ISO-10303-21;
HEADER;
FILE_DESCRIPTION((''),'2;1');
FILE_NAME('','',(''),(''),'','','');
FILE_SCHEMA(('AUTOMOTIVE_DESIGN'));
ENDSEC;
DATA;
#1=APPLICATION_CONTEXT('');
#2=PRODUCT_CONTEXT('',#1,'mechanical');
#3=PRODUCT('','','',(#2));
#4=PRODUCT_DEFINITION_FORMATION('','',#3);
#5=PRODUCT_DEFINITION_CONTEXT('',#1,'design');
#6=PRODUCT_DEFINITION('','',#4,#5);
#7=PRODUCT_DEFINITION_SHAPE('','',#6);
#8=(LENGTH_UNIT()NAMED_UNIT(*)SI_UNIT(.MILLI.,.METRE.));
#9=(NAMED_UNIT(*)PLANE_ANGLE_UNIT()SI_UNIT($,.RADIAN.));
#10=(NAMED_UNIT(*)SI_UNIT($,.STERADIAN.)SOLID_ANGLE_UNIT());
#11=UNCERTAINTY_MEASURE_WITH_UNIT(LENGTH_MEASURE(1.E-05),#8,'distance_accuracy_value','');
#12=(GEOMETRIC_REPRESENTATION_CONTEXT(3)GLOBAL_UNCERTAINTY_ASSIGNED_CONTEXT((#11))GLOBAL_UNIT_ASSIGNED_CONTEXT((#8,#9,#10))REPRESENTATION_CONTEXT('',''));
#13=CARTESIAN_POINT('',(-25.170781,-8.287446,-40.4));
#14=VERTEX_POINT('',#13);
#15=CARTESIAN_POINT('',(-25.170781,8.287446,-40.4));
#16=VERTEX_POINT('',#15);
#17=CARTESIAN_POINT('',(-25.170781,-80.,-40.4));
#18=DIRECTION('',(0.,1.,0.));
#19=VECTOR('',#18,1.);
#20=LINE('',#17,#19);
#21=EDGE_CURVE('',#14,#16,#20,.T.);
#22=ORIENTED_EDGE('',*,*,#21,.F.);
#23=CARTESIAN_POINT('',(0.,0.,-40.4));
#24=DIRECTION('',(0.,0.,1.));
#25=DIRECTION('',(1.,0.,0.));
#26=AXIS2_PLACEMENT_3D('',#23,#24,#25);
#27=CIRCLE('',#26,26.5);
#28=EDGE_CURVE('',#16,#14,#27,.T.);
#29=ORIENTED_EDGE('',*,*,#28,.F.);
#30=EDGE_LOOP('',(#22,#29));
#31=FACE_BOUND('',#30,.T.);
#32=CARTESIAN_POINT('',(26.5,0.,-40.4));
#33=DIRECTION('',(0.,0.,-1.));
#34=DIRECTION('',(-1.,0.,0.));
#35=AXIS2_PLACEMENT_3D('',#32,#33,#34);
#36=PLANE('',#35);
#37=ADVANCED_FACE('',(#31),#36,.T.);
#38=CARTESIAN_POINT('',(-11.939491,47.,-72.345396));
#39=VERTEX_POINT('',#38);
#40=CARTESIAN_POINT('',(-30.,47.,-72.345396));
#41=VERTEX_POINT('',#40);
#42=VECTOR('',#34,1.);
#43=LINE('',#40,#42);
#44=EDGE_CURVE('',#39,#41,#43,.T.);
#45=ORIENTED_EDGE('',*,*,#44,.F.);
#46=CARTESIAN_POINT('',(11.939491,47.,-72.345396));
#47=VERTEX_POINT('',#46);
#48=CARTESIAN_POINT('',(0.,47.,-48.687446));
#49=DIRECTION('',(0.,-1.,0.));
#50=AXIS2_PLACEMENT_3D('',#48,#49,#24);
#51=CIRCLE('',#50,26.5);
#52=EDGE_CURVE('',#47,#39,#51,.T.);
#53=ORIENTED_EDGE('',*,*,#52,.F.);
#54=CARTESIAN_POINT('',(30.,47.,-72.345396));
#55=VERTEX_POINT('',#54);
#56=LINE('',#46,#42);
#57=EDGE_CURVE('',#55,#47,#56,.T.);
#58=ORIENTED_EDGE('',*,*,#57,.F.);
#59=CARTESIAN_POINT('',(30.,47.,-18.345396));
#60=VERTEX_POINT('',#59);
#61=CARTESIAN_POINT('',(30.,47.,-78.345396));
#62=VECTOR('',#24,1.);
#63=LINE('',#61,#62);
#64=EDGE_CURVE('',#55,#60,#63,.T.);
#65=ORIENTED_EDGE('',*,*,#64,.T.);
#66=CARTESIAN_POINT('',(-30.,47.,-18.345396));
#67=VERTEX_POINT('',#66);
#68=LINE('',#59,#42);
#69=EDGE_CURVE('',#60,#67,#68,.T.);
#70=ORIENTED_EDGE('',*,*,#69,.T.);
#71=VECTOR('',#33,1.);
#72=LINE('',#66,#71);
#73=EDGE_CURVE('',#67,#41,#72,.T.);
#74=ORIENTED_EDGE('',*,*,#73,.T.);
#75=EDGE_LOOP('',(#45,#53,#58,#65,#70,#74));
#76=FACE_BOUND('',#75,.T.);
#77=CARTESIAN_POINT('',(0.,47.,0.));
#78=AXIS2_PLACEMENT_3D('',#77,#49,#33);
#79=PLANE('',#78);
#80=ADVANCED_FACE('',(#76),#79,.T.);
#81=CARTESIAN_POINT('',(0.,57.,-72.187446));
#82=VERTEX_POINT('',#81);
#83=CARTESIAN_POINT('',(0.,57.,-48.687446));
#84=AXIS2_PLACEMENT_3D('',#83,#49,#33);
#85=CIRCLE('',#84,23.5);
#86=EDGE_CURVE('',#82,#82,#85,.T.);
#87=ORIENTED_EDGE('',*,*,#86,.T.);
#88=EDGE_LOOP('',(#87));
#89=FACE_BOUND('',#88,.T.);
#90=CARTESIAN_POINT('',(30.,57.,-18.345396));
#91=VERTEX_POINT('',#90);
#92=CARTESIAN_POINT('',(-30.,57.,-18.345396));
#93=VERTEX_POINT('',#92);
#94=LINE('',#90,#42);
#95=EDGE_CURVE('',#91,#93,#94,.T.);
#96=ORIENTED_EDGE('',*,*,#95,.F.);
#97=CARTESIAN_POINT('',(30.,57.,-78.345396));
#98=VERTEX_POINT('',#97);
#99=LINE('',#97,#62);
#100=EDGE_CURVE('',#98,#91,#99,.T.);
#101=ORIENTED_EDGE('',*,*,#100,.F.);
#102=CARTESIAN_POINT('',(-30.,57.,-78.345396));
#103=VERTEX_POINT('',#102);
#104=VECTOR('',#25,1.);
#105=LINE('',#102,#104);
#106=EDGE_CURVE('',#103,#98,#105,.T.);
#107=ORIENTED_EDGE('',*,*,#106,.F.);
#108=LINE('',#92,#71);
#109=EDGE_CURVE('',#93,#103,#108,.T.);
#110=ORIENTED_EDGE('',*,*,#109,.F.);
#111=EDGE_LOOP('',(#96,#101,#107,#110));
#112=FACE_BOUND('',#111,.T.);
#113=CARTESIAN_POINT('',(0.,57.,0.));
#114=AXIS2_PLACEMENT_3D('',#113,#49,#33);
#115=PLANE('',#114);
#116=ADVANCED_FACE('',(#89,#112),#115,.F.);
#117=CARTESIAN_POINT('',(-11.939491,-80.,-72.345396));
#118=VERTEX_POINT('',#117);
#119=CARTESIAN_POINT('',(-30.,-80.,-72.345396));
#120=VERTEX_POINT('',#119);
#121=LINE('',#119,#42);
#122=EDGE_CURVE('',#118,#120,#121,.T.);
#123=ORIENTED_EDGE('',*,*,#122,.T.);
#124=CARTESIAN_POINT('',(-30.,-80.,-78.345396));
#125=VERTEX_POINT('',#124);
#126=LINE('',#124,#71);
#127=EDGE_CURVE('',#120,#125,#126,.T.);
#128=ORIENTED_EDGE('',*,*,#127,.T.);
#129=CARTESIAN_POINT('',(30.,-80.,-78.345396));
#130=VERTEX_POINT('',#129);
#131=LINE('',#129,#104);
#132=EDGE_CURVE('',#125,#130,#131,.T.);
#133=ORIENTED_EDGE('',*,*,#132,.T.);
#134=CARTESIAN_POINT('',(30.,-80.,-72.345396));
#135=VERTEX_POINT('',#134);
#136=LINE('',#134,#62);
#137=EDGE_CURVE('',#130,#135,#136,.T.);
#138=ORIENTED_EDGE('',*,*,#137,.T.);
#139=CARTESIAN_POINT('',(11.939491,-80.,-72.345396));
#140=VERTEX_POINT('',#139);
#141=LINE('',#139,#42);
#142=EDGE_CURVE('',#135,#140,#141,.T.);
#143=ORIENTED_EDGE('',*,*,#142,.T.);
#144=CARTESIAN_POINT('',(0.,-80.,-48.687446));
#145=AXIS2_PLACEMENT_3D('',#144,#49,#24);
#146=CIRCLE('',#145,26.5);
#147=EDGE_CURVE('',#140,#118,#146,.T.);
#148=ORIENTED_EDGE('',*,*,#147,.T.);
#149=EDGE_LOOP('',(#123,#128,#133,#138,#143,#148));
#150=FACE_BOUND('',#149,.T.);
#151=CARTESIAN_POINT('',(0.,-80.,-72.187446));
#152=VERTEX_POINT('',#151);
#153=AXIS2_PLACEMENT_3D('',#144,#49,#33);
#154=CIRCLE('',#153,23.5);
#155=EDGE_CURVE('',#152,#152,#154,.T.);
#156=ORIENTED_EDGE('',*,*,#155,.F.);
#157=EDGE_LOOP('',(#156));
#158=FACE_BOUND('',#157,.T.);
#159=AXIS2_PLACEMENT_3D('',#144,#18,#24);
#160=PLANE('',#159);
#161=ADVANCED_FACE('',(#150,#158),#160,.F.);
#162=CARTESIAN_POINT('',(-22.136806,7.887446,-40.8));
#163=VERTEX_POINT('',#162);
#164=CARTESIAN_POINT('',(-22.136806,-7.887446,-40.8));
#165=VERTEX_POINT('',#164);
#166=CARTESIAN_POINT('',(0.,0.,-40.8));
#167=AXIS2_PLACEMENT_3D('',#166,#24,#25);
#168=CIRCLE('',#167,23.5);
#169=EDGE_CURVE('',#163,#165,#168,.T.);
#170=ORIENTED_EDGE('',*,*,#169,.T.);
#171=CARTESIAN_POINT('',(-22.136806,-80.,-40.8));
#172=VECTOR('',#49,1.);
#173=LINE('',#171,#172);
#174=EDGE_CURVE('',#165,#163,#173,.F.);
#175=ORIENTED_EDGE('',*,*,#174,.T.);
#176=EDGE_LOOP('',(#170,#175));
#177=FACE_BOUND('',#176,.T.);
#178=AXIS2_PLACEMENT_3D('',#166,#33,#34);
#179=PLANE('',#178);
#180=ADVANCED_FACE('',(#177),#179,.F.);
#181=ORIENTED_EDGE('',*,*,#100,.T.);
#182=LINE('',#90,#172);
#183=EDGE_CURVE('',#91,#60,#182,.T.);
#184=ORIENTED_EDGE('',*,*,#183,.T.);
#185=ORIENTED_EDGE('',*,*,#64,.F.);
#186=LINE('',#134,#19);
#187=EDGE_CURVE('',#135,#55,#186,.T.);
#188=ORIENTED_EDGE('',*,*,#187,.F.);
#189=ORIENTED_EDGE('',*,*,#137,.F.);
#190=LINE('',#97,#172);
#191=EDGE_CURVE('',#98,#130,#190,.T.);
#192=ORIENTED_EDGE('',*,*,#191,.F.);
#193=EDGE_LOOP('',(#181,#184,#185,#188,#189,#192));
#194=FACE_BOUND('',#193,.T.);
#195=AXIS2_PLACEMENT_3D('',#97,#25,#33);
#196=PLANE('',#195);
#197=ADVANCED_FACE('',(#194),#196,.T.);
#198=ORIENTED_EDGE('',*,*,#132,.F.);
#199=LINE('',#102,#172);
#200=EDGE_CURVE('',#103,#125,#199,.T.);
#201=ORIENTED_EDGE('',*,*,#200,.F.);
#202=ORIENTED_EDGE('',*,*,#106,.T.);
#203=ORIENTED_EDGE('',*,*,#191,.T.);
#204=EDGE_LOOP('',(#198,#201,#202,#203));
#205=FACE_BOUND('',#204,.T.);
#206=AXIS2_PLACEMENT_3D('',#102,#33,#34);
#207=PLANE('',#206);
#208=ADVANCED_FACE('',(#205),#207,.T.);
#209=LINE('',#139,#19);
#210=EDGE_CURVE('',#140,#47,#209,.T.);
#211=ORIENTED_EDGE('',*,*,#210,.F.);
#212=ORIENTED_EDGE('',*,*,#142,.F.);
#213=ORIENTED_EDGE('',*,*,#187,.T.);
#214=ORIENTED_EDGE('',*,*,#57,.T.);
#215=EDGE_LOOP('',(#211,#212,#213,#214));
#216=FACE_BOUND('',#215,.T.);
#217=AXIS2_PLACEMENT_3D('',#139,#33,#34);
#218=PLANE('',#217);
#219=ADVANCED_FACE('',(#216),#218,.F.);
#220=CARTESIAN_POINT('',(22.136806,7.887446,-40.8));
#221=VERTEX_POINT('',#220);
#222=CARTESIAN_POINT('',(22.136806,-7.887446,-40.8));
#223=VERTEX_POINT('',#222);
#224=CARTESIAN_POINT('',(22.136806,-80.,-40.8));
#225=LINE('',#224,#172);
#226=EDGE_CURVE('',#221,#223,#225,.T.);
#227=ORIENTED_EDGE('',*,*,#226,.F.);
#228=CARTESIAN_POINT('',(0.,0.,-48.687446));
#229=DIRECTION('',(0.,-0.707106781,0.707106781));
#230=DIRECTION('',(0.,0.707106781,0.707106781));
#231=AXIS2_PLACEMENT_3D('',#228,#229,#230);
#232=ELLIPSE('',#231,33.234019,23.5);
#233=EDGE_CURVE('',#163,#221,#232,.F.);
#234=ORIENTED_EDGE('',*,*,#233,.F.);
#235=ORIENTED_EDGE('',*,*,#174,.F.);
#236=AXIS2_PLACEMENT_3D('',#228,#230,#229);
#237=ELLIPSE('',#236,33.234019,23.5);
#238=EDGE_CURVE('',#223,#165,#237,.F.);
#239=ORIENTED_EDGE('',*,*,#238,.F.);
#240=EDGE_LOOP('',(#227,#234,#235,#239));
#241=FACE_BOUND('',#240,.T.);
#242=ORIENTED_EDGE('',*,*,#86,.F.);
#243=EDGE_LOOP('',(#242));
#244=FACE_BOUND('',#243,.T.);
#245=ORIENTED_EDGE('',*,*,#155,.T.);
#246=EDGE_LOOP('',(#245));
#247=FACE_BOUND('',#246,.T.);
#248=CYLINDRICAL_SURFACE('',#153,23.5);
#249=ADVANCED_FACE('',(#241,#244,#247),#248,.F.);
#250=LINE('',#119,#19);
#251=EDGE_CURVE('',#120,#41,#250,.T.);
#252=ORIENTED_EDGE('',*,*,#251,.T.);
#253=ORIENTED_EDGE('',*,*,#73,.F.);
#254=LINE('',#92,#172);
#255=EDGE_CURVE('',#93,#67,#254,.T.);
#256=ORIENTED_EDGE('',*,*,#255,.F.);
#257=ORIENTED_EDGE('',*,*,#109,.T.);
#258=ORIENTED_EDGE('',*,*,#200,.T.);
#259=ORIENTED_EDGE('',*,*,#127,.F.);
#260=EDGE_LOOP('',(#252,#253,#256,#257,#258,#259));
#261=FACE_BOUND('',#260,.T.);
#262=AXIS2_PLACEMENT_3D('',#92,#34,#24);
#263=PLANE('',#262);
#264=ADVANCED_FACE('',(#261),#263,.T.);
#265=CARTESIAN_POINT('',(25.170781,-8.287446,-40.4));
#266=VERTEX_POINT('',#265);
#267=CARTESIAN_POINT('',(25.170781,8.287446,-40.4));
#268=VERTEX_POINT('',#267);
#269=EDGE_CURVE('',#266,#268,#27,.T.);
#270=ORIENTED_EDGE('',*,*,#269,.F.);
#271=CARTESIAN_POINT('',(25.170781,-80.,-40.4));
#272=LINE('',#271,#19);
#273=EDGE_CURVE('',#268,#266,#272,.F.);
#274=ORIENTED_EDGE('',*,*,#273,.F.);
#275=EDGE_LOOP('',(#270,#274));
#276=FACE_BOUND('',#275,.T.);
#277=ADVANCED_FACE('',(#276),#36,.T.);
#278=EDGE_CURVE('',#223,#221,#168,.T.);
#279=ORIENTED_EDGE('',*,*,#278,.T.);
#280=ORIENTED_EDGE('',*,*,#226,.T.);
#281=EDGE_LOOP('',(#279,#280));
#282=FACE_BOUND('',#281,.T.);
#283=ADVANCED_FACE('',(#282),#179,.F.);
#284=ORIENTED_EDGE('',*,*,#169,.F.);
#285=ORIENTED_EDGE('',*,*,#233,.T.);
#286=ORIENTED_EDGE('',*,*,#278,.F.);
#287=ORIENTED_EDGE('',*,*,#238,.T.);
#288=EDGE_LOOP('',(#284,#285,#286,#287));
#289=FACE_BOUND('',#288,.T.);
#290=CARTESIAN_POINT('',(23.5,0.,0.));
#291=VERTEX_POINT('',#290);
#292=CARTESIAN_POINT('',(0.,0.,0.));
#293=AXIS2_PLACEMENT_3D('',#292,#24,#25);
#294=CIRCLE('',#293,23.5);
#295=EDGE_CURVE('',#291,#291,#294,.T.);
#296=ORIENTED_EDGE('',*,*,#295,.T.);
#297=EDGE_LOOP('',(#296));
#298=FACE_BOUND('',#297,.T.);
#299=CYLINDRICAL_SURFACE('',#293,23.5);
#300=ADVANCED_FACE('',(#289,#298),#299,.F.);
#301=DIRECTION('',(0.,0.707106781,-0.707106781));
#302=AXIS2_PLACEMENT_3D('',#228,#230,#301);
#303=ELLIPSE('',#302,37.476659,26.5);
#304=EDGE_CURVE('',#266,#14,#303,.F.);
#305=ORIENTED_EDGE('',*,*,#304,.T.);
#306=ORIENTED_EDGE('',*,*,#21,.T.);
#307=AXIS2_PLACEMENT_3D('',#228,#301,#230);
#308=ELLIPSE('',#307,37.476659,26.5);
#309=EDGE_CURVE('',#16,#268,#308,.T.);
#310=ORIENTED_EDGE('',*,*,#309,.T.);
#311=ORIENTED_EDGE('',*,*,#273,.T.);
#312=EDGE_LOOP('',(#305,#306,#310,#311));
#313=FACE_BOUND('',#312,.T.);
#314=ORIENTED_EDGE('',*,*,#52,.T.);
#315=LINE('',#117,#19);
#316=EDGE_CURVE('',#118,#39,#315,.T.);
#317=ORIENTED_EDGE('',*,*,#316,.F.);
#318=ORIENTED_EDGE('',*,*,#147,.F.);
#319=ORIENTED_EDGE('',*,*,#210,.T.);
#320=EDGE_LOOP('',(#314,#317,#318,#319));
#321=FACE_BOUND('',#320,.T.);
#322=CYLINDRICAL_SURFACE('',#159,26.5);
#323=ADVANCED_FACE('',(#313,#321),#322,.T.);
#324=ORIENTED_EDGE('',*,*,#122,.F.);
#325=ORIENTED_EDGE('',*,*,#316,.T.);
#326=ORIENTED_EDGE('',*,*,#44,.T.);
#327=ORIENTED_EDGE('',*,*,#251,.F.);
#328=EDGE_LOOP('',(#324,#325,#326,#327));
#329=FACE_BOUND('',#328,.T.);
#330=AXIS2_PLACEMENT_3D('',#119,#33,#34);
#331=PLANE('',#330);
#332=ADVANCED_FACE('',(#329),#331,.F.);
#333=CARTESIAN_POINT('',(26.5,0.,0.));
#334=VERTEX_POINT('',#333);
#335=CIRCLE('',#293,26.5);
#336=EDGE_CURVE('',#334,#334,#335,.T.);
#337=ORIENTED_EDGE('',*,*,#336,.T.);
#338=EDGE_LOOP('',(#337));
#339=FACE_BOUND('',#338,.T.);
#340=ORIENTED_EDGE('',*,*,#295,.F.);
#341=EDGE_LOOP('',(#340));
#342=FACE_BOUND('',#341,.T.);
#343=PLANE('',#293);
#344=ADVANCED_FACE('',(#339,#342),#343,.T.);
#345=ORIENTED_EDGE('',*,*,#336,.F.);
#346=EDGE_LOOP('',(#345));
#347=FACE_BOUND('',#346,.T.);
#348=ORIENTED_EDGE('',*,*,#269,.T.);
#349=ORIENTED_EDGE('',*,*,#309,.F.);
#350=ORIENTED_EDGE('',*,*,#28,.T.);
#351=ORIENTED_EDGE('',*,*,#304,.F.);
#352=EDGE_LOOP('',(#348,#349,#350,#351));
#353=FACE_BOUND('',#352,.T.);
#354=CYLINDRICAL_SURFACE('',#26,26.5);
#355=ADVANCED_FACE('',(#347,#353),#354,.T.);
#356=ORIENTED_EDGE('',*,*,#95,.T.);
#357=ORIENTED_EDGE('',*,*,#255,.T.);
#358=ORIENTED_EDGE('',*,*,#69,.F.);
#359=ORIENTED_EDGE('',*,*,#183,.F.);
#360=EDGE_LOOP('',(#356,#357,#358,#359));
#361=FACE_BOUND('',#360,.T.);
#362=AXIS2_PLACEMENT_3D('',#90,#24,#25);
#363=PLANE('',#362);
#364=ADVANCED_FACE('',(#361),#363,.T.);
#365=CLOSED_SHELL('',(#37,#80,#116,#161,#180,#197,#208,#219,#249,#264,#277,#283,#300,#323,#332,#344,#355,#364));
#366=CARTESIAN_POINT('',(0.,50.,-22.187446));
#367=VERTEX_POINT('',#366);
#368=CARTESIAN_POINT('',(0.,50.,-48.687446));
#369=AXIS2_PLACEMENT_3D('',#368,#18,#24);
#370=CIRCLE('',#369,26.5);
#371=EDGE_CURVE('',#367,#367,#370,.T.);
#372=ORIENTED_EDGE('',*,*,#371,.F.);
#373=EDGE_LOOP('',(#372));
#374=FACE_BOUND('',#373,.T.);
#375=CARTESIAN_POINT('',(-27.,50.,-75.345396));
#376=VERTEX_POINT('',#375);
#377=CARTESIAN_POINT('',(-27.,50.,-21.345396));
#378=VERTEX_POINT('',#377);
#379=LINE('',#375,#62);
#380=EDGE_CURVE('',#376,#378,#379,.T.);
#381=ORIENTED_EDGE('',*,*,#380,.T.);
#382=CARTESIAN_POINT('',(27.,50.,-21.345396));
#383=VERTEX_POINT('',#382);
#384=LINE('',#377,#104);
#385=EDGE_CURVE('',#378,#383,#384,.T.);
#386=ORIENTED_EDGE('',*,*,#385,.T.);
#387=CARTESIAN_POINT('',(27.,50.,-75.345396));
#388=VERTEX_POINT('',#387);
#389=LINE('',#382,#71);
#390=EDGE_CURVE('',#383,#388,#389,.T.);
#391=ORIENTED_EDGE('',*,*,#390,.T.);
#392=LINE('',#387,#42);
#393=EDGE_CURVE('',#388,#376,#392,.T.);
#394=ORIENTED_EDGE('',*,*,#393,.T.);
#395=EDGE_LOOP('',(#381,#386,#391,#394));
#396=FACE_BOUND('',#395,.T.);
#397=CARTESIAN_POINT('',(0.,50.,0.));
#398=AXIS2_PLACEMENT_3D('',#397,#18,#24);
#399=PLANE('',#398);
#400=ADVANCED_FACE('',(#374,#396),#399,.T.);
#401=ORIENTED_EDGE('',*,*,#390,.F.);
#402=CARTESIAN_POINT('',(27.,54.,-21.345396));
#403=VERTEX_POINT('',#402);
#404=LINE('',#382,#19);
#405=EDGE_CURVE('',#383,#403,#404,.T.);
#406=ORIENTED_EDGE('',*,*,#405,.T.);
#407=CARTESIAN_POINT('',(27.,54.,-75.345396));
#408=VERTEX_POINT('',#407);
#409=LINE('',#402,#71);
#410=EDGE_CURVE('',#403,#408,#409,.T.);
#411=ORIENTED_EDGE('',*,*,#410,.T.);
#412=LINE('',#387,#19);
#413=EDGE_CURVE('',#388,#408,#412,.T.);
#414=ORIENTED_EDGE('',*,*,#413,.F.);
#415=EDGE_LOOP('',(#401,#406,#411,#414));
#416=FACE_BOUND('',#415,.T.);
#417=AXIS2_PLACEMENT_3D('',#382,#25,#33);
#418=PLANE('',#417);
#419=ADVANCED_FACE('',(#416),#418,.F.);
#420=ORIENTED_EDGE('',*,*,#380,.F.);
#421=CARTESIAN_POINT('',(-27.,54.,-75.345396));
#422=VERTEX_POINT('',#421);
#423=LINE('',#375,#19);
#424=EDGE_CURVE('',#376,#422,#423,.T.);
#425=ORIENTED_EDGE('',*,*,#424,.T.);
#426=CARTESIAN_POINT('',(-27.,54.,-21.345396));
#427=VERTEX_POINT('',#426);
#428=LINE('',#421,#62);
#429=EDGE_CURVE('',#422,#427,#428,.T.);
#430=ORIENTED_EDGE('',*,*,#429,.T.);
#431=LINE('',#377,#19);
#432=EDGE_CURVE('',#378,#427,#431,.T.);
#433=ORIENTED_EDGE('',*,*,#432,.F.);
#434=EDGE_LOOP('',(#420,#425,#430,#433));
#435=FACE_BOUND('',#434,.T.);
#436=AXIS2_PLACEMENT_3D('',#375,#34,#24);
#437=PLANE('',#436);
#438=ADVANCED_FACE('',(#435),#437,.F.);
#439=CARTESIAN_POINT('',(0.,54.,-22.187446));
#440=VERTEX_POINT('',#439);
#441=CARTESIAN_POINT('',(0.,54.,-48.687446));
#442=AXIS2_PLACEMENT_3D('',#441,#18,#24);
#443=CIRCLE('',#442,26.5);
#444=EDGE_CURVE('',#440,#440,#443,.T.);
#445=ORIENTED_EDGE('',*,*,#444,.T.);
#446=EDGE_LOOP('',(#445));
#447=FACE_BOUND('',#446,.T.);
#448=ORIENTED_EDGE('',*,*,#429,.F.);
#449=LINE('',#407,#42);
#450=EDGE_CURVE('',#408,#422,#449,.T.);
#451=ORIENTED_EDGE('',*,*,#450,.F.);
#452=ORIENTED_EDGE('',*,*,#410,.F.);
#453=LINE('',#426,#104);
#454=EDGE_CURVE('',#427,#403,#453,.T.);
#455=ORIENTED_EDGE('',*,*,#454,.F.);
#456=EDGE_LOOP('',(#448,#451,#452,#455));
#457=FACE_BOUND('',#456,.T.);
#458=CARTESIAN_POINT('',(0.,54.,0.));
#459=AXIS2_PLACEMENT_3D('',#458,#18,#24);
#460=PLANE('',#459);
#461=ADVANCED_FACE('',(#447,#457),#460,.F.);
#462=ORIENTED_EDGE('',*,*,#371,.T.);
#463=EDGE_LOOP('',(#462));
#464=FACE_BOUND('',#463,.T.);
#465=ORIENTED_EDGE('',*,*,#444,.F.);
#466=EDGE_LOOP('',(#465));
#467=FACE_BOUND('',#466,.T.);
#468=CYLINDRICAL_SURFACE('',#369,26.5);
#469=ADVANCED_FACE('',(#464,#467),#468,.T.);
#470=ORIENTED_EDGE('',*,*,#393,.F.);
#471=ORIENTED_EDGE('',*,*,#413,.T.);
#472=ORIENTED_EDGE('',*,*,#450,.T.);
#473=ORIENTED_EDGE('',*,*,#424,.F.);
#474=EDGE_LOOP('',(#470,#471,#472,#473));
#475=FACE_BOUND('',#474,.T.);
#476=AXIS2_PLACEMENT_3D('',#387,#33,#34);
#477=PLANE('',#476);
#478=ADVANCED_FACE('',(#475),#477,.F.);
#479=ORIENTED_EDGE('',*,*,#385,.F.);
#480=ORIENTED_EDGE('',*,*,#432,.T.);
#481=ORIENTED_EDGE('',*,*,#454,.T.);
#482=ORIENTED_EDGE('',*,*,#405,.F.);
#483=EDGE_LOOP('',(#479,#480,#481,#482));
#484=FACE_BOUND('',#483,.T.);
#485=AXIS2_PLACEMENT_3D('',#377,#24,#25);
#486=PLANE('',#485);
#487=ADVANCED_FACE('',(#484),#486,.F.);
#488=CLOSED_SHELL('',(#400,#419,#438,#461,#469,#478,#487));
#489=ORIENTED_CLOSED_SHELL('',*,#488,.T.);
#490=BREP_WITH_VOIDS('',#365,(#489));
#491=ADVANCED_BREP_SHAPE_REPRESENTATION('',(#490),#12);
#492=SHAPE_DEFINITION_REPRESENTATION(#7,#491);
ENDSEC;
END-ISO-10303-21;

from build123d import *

# Parameters (mm, degrees)
SKETCH1_W                 = 60
SKETCH1_H                 = 60
BOSS_EXTRUDE1_DEPTH       = 10
BOSS_EXTRUDE2_DEPTH       = 127
SKETCH3_W                 = 54
SKETCH3_H                 = 54
CUT_EXTRUDE1_DEPTH        = 4
SKETCH4_W                 = 26.5
SKETCH4_H                 = 4
SKETCH5_W                 = 26.5
SKETCH5_H                 = 40.4
M42_CLEARANCE_HOLE1_D     = 47
M42_CLEARANCE_HOLE1_DEPTH = 40.8
M42_CLEARANCE_HOLE2_D     = 47


with BuildPart() as part:
    # Sketch1 → Boss-Extrude1 (new body)
    with BuildSketch(Plane.XZ.offset(-47)):
        with Locations((0, -48.345395625)):
            Rectangle(SKETCH1_W, SKETCH1_H)
    extrude(amount=-BOSS_EXTRUDE1_DEPTH)

    # Sketch2 → Boss-Extrude2 (add)
    with BuildSketch(Plane.XZ.offset(-47)):
        with BuildLine():
            Line((11.939490511, -72.345395625), (30, -72.345395625))
            Line((30, -72.345395625), (30, -78.345395625))
            Line((30, -78.345395625), (-30, -78.345395625))
            Line((-30, -78.345395625), (-30, -72.345395625))
            Line((-30, -72.345395625), (-11.939490511, -72.345395625))
            ThreePointArc((-11.939490511, -72.345395625), (0, -22.187446298), (11.939490511, -72.345395625))
        make_face()
    extrude(amount=BOSS_EXTRUDE2_DEPTH)

    # Sketch3 → Cut-Extrude1 (cut)
    with BuildSketch(Plane(origin=(0, 54, 0), x_dir=(1, 0, 0), z_dir=(0, 1, 0))):
        with Locations((0, 48.345395625)):
            Rectangle(SKETCH3_W, SKETCH3_H)
    extrude(amount=-CUT_EXTRUDE1_DEPTH, mode=Mode.SUBTRACT)

    # Sketch4 → Revolve1 (revolve)
    with BuildSketch(Plane(origin=(0, 0, -48.687446298), x_dir=(-1, 0, 0), z_dir=(0, 0, -1)), mode=Mode.PRIVATE) as revolve1_sk:
        with Locations((-13.25, 52)):
            Rectangle(SKETCH4_W, SKETCH4_H)
    revolve(revolve1_sk.sketch.rotate(Axis((0, 50, -48.687446298), (0, 1, 0)), 270), axis=Axis((0, 50, -48.687446298), (0, 1, 0)))

    # Sketch5 → Revolve2 (revolve)
    with BuildSketch(Plane(origin=(0, 0, 0), x_dir=(1, 0, 0), z_dir=(0, 1, 0))):
        with Locations((13.25, 20.2)):
            Rectangle(SKETCH5_W, SKETCH5_H)
    revolve(axis=Axis((0, 0, -40.4), (0, 0, 1)))

    # M42 Clearance Hole1
    with Locations(Plane.XY):
        with Locations((0, 0)):
            Hole(M42_CLEARANCE_HOLE1_D / 2, depth=M42_CLEARANCE_HOLE1_DEPTH)

    # M42 Clearance Hole2 (through all)
    with Locations(Plane(origin=(0, -80, 0), x_dir=(-1, 0, 0), z_dir=(0, -1, 0))):
        with Locations((0, 48.687446298)):
            Hole(M42_CLEARANCE_HOLE2_D / 2)


solid = part.part
